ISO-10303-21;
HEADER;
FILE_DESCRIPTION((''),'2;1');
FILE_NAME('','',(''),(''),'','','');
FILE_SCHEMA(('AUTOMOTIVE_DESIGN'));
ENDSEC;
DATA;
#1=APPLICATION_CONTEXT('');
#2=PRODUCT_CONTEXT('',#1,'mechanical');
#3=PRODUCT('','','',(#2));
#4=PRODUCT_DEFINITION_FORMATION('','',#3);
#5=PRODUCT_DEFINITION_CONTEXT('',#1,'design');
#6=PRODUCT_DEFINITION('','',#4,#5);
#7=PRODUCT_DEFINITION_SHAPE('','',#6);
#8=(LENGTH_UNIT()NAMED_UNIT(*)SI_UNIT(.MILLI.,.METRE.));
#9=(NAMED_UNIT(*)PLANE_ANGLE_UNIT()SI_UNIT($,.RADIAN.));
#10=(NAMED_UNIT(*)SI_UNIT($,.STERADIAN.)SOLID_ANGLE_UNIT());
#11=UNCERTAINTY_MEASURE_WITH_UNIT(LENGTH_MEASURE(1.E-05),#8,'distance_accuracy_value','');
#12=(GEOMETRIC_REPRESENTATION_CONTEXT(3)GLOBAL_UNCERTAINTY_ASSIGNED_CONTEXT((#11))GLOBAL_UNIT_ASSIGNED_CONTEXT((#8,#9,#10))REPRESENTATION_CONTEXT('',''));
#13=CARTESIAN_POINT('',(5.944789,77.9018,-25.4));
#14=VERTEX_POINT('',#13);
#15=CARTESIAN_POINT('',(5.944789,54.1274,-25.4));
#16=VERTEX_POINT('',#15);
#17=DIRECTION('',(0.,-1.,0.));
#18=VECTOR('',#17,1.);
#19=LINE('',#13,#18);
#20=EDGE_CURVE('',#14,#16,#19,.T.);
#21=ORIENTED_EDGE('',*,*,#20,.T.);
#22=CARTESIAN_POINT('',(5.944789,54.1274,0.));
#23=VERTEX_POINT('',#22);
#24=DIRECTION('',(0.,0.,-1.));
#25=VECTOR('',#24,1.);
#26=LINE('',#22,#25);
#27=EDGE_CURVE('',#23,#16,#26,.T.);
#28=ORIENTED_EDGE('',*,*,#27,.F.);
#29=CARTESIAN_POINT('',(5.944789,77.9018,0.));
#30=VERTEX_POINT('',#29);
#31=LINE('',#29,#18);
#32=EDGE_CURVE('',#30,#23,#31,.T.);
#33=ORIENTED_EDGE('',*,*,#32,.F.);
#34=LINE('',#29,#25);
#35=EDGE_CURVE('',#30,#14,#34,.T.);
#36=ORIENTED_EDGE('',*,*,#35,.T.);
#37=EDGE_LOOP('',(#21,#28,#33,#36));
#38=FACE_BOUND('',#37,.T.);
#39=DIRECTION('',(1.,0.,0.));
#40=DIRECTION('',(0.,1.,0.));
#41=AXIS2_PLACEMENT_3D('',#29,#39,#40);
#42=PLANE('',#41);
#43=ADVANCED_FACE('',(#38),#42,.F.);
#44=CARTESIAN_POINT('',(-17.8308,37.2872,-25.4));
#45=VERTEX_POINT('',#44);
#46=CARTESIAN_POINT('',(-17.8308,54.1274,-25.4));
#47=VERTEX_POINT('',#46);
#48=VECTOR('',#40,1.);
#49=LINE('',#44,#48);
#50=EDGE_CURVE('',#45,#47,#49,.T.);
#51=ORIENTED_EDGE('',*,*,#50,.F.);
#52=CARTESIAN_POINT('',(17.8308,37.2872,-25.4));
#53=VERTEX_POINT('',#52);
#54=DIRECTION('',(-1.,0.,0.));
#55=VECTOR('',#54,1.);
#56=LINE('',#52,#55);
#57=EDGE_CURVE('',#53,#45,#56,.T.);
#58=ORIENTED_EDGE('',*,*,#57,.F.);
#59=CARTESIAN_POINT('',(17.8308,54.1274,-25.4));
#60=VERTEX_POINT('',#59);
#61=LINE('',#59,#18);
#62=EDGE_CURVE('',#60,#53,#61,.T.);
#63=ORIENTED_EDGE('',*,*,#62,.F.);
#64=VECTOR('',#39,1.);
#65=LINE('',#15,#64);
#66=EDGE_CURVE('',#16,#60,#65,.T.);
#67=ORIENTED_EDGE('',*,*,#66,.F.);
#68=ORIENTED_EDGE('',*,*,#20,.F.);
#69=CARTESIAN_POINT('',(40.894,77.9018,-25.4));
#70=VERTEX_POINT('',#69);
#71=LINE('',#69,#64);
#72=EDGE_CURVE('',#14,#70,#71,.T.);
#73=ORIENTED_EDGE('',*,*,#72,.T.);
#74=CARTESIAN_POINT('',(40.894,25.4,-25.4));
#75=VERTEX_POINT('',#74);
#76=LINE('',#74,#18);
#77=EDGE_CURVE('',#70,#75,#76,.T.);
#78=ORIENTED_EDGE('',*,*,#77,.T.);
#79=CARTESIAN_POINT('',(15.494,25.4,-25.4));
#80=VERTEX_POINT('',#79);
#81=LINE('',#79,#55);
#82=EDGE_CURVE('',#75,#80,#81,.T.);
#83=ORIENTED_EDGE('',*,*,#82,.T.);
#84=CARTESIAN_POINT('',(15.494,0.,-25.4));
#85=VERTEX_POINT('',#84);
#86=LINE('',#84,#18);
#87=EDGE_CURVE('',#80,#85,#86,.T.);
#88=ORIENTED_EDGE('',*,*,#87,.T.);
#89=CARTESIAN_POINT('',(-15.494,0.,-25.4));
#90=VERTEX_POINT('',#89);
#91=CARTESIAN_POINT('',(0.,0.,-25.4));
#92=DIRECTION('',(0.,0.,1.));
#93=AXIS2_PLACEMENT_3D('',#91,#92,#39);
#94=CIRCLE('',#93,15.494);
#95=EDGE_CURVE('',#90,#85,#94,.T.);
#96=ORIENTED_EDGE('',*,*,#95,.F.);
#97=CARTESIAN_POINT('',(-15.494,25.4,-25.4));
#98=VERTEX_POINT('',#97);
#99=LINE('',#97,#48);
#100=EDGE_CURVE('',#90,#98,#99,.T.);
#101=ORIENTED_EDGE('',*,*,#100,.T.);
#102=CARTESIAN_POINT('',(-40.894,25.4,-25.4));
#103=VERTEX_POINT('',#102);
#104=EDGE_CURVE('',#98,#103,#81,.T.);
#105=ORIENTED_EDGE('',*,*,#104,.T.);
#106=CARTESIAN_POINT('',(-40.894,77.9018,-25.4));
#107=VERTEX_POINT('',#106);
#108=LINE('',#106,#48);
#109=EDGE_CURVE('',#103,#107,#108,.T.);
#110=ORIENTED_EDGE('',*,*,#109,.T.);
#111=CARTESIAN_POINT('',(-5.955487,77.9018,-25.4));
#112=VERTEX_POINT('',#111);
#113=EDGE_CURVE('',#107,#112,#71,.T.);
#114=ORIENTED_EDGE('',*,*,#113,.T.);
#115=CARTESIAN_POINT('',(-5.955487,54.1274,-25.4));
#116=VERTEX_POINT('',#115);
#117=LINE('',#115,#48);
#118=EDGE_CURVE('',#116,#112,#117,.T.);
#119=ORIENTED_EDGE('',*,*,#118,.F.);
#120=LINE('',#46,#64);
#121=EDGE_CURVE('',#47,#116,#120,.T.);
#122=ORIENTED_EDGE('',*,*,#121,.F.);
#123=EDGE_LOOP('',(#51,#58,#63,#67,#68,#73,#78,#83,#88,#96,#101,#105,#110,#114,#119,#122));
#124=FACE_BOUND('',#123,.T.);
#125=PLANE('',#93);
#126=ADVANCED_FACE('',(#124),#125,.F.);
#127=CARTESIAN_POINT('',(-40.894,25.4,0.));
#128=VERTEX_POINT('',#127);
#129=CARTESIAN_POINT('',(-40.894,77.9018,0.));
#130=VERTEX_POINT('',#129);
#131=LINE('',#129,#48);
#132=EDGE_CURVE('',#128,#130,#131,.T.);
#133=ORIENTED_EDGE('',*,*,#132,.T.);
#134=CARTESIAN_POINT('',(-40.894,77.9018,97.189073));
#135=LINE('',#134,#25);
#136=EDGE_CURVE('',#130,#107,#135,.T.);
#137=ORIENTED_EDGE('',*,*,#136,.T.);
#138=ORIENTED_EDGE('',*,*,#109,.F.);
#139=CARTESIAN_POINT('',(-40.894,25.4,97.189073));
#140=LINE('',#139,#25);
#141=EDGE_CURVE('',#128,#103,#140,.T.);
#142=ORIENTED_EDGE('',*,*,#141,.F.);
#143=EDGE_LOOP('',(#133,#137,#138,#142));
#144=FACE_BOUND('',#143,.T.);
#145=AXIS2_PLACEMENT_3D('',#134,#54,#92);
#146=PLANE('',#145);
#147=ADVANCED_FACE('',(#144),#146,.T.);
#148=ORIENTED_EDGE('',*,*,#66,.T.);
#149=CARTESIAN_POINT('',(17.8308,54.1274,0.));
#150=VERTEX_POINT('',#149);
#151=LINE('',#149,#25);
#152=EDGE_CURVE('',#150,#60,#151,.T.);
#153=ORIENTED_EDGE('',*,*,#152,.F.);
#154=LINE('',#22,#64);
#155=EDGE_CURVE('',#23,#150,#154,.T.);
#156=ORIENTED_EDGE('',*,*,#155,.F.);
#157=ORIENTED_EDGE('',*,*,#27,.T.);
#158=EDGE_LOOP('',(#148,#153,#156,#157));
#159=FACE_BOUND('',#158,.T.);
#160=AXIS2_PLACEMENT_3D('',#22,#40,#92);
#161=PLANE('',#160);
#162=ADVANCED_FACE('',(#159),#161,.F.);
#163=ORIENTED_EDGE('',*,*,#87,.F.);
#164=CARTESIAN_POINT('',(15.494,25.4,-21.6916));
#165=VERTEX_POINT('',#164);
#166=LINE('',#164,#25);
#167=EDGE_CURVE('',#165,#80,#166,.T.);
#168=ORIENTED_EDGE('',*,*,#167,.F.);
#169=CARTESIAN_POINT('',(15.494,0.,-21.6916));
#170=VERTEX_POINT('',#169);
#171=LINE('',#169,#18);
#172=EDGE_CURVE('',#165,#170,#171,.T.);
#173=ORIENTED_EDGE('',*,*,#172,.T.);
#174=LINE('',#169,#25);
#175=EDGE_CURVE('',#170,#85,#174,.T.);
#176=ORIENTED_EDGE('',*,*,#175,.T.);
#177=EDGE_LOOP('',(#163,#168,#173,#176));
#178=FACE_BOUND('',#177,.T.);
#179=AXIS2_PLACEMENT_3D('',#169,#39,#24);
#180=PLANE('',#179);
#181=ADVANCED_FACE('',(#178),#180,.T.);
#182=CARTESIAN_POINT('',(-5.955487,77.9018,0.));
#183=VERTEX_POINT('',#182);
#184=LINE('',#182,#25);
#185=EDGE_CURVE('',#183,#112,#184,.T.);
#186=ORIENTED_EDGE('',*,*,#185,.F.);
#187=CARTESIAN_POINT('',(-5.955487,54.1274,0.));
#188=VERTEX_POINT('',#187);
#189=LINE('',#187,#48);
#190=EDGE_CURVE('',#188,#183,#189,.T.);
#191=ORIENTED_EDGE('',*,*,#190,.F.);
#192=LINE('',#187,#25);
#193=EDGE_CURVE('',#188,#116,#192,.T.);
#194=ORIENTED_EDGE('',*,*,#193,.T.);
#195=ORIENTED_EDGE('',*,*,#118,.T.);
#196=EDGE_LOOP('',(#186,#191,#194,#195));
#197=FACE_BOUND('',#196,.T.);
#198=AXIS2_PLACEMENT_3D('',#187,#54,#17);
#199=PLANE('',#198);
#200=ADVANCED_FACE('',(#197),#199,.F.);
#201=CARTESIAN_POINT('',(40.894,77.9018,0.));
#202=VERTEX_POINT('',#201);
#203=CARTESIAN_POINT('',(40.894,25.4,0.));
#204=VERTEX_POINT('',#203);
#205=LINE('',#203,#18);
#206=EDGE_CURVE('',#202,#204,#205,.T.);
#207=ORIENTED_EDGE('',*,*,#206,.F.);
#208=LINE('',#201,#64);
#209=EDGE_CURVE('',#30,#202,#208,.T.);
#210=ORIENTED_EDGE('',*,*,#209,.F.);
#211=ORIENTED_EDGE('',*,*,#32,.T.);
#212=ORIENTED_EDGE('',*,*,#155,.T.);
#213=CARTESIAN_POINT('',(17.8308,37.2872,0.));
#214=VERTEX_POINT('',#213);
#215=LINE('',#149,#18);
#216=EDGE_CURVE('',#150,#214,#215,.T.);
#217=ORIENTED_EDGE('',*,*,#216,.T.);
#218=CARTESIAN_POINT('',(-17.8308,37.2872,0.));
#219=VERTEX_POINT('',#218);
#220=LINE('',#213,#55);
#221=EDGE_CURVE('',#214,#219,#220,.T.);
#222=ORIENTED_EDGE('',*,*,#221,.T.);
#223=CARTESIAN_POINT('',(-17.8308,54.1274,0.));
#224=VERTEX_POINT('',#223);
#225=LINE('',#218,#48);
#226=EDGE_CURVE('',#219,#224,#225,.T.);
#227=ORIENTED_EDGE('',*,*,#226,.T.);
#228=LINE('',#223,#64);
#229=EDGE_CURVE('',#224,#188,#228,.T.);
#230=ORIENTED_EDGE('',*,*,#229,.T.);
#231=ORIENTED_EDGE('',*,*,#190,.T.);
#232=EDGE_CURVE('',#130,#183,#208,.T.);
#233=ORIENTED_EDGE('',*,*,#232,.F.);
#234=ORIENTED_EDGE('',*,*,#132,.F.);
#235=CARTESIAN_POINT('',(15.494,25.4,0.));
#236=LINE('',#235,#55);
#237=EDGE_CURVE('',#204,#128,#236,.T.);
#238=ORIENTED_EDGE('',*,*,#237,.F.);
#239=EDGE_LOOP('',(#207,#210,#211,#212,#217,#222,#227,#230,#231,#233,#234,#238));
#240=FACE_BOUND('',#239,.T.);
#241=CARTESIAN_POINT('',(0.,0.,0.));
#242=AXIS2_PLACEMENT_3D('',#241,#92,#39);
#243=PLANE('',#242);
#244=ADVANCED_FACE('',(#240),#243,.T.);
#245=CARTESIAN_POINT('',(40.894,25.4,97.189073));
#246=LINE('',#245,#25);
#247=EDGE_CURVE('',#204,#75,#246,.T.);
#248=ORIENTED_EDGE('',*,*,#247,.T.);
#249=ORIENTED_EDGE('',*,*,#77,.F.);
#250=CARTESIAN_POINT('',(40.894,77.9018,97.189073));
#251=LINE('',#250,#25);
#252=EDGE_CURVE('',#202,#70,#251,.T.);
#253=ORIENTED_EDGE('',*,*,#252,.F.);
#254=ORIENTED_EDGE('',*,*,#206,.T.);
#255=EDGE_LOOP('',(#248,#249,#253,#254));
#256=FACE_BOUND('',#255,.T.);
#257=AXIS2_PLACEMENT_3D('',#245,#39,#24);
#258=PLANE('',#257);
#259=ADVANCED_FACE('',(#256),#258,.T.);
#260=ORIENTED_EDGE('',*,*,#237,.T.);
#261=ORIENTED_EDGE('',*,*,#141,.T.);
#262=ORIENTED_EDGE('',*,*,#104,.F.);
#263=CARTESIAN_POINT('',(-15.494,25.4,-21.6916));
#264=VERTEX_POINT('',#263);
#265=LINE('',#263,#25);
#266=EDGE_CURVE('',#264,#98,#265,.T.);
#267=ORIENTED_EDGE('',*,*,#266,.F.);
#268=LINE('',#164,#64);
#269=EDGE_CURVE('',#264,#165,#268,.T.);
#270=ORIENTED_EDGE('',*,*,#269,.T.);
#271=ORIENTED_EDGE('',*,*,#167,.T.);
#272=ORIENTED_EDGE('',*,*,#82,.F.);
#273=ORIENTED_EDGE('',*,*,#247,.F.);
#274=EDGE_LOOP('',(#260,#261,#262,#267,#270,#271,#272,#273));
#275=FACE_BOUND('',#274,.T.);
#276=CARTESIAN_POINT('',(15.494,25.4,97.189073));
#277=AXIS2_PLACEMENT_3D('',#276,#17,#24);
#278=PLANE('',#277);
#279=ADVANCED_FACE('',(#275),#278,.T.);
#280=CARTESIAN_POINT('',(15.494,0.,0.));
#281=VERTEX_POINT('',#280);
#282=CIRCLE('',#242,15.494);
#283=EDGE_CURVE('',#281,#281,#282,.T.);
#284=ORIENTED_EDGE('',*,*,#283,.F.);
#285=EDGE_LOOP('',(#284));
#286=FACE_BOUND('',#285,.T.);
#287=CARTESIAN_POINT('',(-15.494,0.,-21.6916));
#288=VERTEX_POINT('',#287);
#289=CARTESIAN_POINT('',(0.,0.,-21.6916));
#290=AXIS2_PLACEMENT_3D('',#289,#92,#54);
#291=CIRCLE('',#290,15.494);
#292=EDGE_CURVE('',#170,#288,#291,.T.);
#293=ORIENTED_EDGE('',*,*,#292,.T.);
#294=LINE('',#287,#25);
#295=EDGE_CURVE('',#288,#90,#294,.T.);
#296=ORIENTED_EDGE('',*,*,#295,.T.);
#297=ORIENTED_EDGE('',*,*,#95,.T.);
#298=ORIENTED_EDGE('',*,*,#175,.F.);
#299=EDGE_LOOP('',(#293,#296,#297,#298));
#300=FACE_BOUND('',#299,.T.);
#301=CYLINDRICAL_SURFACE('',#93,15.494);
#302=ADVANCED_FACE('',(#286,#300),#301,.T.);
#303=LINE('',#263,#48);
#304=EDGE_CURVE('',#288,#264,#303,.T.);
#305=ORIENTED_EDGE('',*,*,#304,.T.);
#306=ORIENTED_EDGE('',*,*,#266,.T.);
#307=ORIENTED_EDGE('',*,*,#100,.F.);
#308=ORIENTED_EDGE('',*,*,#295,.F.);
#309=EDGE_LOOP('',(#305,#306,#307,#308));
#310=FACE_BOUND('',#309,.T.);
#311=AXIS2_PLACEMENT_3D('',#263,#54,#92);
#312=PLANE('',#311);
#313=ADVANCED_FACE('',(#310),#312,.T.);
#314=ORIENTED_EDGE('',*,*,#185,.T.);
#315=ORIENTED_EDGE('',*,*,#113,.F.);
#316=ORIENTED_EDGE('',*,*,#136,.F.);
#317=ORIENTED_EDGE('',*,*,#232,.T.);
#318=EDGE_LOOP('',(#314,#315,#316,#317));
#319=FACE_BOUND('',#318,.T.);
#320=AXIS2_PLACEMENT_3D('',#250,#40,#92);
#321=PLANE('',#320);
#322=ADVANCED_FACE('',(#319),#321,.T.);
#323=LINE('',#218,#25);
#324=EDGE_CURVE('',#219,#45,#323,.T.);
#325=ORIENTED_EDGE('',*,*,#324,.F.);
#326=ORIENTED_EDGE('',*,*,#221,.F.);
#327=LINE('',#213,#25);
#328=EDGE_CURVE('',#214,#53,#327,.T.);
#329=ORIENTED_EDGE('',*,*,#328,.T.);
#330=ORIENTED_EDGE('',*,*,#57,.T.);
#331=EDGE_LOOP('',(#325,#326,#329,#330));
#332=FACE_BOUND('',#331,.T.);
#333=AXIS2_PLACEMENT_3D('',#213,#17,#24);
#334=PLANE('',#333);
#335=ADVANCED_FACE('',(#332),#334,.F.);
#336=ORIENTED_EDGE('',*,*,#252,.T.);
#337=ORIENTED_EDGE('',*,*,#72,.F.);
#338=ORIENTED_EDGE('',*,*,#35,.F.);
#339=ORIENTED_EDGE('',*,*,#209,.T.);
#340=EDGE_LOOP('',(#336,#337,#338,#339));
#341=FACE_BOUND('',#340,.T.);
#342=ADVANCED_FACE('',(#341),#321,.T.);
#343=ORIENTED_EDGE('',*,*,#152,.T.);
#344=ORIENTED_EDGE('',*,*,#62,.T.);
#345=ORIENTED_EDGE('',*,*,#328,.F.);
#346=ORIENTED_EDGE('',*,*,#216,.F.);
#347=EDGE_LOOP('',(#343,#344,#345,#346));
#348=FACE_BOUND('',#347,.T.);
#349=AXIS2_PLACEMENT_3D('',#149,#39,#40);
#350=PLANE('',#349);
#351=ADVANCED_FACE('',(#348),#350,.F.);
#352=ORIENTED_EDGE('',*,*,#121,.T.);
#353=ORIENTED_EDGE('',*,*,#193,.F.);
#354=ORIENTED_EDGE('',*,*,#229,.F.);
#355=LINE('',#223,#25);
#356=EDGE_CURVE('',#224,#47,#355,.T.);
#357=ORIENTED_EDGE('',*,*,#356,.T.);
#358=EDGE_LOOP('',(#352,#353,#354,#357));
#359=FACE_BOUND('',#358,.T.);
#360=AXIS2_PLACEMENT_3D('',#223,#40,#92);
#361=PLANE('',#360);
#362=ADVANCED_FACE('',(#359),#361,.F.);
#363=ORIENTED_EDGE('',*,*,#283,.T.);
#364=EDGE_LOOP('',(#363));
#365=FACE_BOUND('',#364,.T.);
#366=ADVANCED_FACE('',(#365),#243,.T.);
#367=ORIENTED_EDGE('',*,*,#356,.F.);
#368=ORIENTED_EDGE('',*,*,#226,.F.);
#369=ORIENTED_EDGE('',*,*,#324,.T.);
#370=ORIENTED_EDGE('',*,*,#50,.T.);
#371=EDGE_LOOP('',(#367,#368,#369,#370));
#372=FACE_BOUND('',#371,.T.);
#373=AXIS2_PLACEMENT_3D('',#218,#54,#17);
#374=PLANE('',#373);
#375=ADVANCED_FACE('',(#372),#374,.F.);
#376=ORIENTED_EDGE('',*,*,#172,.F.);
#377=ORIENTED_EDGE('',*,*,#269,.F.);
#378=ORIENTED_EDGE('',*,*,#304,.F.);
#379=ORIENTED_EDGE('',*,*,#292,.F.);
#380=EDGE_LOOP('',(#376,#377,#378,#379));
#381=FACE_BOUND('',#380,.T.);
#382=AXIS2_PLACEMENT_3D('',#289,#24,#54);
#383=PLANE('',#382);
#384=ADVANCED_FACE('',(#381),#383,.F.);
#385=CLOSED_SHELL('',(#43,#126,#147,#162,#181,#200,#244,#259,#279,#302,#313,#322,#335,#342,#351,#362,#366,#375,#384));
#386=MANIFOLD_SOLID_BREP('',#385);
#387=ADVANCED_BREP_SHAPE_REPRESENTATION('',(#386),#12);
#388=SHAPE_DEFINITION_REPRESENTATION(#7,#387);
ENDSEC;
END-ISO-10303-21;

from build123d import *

# Parameters (mm, degrees)
SKETCH1_R           = 15.494
BOSS_EXTRUDE1_DEPTH = 25.4
BOSS_EXTRUDE2_START = -3.7084
BOSS_EXTRUDE2_DEPTH = 3.7084
BOSS_EXTRUDE4_DEPTH = 25.4
CUT_EXTRUDE1_DEPTH  = 92.576032231


with BuildPart() as part:
    # Sketch1 → Boss-Extrude1 (new body)
    with BuildSketch(Plane.XY):
        Circle(SKETCH1_R)
    extrude(amount=-BOSS_EXTRUDE1_DEPTH)

    # Sketch2 → Boss-Extrude2 (add)
    with BuildSketch(Plane(origin=(0, 0, -25.4), x_dir=(-1, 0, 0), z_dir=(0, 0, -1)).offset(BOSS_EXTRUDE2_START)):
        with BuildLine():
            Line((-15.494, 0), (-15.494, 25.4))
            Line((-15.494, 25.4), (15.494, 25.4))
            Line((15.494, 25.4), (15.494, 0))
            ThreePointArc((15.494, 0), (0, 15.494), (-15.494, 0))
        make_face()
    extrude(amount=BOSS_EXTRUDE2_DEPTH)

    # Sketch3 → Boss-Extrude4 (add)
    with BuildSketch(Plane(origin=(0, 0, -25.4), x_dir=(-1, 0, 0), z_dir=(0, 0, -1))):
        Polygon((-15.494, 25.4), (-40.894, 25.4), (-40.894, 77.9018), (40.894, 77.9018), (40.894, 25.4), (15.494, 25.4), align=None)
    extrude(amount=-BOSS_EXTRUDE4_DEPTH)

    # Sketch4 → Cut-Extrude1 (cut, through all)
    with BuildSketch(Plane(origin=(0, 0, -25.4), x_dir=(-1, 0, 0), z_dir=(0, 0, -1))):
        Polygon((-5.94478872, 77.9018), (-5.94478872, 54.1274), (-17.8308, 54.1274), (-17.8308, 37.2872), (17.8308, 37.2872), (17.8308, 54.1274), (5.9554872, 54.1274), (5.9554872, 77.9018), align=None)
    extrude(amount=-CUT_EXTRUDE1_DEPTH, mode=Mode.SUBTRACT)


solid = part.part
